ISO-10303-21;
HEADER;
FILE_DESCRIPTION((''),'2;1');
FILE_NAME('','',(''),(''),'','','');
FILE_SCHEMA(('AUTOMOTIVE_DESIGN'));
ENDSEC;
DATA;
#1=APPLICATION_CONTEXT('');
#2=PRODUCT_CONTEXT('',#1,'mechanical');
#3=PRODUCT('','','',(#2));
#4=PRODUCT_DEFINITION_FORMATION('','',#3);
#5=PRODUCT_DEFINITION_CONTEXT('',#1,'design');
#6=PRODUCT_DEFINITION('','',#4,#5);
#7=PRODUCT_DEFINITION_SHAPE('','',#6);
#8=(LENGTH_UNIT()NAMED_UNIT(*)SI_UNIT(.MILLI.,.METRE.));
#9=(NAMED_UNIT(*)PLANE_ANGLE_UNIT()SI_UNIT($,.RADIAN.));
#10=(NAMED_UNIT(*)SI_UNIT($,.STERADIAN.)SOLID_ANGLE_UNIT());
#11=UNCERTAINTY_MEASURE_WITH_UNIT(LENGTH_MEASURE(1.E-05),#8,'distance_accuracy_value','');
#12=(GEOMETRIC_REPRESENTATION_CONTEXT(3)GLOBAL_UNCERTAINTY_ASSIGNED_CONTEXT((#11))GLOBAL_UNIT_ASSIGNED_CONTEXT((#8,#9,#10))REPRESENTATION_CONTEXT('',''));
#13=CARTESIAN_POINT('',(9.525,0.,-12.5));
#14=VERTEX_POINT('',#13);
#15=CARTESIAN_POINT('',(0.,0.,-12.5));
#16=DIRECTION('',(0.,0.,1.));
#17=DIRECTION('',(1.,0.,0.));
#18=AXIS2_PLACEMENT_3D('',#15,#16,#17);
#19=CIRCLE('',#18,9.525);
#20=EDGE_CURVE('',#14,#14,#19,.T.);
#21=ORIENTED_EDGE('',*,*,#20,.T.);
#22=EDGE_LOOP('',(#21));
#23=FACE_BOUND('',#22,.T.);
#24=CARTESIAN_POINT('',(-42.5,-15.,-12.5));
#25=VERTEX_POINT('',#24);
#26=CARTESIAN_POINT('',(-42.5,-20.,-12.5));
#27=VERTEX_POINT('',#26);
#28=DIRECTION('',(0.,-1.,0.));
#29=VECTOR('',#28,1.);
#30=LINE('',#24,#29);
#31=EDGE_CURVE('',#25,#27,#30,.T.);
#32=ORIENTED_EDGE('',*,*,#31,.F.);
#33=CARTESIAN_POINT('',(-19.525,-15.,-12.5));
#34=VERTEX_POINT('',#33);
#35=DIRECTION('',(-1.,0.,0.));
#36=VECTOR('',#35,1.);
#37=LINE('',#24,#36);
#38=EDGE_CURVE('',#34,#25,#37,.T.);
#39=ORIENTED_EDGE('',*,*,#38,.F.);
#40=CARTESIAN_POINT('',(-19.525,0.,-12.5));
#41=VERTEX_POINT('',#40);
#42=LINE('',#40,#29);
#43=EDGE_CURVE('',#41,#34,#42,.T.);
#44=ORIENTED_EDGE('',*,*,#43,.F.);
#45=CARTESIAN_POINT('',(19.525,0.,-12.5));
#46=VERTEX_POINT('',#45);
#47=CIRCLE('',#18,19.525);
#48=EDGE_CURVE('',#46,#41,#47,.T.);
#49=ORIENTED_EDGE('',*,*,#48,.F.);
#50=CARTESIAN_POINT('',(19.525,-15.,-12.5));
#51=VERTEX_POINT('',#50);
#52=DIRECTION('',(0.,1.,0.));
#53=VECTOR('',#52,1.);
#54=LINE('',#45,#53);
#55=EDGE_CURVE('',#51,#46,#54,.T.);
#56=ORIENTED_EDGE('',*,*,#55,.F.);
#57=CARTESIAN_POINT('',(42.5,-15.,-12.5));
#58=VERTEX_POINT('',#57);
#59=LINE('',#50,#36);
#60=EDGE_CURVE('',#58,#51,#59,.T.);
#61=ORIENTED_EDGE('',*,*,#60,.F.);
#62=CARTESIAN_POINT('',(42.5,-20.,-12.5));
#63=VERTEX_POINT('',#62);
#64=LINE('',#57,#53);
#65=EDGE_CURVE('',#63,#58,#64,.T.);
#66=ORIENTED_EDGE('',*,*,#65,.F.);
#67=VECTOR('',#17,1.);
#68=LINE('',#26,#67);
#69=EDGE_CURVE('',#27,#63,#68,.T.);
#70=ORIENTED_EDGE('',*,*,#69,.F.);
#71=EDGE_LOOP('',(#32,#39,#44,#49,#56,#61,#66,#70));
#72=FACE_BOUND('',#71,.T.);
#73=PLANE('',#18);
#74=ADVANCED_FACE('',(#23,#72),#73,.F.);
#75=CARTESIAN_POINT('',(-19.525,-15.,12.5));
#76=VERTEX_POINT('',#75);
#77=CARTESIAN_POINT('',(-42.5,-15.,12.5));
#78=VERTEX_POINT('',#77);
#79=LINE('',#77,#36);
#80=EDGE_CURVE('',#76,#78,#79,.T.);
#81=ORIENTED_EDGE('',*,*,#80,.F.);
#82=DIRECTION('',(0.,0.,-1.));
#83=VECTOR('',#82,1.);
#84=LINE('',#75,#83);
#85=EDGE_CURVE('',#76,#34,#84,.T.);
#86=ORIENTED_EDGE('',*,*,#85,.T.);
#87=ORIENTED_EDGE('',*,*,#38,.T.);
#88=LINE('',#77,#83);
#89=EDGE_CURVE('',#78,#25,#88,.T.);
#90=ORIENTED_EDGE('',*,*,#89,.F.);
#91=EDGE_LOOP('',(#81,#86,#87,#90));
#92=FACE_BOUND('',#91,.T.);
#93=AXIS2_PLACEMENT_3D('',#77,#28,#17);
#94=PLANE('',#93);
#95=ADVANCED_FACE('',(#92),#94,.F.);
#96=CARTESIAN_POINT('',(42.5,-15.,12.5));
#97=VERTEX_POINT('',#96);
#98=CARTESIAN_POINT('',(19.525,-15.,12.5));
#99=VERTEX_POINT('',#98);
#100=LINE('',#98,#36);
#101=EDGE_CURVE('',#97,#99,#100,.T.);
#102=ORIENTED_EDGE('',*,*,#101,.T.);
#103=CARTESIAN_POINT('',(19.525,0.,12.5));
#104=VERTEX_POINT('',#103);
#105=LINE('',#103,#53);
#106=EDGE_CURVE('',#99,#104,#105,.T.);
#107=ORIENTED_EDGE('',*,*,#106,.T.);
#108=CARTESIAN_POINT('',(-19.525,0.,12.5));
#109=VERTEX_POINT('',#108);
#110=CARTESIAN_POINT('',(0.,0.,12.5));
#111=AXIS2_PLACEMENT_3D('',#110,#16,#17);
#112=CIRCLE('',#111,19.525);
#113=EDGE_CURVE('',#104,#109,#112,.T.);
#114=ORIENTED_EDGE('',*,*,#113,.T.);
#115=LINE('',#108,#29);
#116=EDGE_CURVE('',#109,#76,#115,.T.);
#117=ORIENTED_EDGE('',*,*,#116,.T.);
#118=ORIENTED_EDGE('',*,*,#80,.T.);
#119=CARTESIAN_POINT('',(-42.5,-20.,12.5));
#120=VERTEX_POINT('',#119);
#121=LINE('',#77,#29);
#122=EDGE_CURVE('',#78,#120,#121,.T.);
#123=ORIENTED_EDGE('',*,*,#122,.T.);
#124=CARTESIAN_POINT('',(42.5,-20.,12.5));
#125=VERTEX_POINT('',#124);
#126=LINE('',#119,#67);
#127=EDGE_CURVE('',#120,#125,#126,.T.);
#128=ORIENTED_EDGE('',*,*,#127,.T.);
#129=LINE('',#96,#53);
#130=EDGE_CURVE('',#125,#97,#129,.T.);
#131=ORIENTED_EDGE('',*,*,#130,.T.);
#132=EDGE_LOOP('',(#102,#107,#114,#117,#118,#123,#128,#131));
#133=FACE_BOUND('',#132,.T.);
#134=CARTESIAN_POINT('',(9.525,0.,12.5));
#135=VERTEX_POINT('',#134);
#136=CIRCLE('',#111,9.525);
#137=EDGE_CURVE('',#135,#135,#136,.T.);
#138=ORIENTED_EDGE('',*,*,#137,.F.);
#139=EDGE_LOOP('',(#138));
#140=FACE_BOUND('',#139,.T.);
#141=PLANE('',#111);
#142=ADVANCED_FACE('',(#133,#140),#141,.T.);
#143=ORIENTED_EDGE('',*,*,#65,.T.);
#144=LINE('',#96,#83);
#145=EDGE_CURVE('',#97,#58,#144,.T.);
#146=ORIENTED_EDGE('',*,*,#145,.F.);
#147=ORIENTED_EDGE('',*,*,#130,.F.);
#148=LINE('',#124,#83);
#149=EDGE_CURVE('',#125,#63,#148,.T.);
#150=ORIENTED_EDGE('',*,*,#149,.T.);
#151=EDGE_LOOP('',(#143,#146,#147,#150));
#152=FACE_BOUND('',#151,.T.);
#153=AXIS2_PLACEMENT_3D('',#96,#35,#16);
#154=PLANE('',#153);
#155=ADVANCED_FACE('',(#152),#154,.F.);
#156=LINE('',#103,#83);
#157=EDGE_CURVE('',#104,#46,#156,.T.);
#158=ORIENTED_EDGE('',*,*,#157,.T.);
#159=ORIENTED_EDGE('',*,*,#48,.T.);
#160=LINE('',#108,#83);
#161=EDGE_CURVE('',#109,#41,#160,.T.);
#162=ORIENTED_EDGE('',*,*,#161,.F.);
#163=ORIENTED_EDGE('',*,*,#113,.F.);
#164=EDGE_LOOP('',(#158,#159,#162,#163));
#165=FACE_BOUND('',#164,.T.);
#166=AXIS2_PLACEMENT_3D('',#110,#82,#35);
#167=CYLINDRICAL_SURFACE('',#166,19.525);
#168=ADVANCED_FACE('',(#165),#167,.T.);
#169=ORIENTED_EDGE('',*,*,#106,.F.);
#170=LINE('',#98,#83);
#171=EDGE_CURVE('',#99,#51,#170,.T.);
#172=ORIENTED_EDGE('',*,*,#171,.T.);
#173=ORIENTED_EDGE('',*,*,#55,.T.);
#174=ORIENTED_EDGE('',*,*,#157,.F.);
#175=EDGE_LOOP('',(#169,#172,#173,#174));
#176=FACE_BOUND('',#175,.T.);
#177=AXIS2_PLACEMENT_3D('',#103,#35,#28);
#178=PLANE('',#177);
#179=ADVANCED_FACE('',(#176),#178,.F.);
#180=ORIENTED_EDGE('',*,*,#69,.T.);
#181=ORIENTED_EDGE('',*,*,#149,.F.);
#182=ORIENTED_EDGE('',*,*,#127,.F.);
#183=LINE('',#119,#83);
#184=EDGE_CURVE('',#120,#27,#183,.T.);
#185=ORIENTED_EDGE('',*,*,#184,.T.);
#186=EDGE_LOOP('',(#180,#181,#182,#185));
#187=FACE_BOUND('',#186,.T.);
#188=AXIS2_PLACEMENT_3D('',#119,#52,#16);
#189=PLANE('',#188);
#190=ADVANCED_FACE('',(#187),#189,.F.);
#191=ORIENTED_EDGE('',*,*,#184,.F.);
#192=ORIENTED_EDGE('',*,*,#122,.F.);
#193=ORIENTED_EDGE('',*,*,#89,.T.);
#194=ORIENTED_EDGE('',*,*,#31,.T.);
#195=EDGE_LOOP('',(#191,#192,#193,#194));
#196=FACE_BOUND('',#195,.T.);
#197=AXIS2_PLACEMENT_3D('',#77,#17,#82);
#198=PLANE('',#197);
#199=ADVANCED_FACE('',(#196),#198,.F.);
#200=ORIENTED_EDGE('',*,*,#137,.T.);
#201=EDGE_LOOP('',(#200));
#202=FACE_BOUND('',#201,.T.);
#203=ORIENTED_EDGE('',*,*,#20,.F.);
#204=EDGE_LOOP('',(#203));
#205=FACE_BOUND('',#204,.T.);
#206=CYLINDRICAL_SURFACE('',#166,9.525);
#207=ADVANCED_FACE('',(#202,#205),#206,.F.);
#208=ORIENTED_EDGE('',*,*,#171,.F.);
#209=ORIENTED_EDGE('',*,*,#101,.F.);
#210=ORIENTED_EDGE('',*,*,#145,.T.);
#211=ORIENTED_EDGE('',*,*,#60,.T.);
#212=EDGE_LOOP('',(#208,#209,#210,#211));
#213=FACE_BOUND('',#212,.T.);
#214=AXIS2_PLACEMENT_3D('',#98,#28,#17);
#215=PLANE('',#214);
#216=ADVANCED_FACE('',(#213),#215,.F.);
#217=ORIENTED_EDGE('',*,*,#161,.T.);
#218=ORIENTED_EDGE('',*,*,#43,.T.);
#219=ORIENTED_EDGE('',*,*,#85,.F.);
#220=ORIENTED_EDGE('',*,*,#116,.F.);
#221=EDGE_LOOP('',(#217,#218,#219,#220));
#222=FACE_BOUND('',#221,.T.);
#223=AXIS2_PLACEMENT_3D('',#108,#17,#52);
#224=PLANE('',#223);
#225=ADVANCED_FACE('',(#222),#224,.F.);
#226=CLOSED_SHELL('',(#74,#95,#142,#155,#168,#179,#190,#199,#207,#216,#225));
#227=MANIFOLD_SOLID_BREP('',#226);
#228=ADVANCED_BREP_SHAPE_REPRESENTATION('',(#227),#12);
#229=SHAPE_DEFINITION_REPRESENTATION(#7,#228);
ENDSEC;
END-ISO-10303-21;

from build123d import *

# Parameters (mm, degrees)
SKETCH1_R           = 9.525
BOSS_EXTRUDE1_DEPTH = 12.5


with BuildPart() as part:
    # Sketch1 → Boss-Extrude1 (new, symmetric)
    with BuildSketch(Plane.XY):
        with BuildLine():
            Line((-19.525, 0), (-19.525, -15))
            Line((-19.525, -15), (-42.5, -15))
            Line((-42.5, -15), (-42.5, -20))
            Line((-42.5, -20), (42.5, -20))
            Line((42.5, -20), (42.5, -15))
            Line((42.5, -15), (19.525, -15))
            Line((19.525, -15), (19.525, 0))
            ThreePointArc((19.525, 0), (0, 19.525), (-19.525, 0))
        make_face()
        Circle(SKETCH1_R, mode=Mode.SUBTRACT)
    extrude(amount=BOSS_EXTRUDE1_DEPTH, both=True)


solid = part.part
